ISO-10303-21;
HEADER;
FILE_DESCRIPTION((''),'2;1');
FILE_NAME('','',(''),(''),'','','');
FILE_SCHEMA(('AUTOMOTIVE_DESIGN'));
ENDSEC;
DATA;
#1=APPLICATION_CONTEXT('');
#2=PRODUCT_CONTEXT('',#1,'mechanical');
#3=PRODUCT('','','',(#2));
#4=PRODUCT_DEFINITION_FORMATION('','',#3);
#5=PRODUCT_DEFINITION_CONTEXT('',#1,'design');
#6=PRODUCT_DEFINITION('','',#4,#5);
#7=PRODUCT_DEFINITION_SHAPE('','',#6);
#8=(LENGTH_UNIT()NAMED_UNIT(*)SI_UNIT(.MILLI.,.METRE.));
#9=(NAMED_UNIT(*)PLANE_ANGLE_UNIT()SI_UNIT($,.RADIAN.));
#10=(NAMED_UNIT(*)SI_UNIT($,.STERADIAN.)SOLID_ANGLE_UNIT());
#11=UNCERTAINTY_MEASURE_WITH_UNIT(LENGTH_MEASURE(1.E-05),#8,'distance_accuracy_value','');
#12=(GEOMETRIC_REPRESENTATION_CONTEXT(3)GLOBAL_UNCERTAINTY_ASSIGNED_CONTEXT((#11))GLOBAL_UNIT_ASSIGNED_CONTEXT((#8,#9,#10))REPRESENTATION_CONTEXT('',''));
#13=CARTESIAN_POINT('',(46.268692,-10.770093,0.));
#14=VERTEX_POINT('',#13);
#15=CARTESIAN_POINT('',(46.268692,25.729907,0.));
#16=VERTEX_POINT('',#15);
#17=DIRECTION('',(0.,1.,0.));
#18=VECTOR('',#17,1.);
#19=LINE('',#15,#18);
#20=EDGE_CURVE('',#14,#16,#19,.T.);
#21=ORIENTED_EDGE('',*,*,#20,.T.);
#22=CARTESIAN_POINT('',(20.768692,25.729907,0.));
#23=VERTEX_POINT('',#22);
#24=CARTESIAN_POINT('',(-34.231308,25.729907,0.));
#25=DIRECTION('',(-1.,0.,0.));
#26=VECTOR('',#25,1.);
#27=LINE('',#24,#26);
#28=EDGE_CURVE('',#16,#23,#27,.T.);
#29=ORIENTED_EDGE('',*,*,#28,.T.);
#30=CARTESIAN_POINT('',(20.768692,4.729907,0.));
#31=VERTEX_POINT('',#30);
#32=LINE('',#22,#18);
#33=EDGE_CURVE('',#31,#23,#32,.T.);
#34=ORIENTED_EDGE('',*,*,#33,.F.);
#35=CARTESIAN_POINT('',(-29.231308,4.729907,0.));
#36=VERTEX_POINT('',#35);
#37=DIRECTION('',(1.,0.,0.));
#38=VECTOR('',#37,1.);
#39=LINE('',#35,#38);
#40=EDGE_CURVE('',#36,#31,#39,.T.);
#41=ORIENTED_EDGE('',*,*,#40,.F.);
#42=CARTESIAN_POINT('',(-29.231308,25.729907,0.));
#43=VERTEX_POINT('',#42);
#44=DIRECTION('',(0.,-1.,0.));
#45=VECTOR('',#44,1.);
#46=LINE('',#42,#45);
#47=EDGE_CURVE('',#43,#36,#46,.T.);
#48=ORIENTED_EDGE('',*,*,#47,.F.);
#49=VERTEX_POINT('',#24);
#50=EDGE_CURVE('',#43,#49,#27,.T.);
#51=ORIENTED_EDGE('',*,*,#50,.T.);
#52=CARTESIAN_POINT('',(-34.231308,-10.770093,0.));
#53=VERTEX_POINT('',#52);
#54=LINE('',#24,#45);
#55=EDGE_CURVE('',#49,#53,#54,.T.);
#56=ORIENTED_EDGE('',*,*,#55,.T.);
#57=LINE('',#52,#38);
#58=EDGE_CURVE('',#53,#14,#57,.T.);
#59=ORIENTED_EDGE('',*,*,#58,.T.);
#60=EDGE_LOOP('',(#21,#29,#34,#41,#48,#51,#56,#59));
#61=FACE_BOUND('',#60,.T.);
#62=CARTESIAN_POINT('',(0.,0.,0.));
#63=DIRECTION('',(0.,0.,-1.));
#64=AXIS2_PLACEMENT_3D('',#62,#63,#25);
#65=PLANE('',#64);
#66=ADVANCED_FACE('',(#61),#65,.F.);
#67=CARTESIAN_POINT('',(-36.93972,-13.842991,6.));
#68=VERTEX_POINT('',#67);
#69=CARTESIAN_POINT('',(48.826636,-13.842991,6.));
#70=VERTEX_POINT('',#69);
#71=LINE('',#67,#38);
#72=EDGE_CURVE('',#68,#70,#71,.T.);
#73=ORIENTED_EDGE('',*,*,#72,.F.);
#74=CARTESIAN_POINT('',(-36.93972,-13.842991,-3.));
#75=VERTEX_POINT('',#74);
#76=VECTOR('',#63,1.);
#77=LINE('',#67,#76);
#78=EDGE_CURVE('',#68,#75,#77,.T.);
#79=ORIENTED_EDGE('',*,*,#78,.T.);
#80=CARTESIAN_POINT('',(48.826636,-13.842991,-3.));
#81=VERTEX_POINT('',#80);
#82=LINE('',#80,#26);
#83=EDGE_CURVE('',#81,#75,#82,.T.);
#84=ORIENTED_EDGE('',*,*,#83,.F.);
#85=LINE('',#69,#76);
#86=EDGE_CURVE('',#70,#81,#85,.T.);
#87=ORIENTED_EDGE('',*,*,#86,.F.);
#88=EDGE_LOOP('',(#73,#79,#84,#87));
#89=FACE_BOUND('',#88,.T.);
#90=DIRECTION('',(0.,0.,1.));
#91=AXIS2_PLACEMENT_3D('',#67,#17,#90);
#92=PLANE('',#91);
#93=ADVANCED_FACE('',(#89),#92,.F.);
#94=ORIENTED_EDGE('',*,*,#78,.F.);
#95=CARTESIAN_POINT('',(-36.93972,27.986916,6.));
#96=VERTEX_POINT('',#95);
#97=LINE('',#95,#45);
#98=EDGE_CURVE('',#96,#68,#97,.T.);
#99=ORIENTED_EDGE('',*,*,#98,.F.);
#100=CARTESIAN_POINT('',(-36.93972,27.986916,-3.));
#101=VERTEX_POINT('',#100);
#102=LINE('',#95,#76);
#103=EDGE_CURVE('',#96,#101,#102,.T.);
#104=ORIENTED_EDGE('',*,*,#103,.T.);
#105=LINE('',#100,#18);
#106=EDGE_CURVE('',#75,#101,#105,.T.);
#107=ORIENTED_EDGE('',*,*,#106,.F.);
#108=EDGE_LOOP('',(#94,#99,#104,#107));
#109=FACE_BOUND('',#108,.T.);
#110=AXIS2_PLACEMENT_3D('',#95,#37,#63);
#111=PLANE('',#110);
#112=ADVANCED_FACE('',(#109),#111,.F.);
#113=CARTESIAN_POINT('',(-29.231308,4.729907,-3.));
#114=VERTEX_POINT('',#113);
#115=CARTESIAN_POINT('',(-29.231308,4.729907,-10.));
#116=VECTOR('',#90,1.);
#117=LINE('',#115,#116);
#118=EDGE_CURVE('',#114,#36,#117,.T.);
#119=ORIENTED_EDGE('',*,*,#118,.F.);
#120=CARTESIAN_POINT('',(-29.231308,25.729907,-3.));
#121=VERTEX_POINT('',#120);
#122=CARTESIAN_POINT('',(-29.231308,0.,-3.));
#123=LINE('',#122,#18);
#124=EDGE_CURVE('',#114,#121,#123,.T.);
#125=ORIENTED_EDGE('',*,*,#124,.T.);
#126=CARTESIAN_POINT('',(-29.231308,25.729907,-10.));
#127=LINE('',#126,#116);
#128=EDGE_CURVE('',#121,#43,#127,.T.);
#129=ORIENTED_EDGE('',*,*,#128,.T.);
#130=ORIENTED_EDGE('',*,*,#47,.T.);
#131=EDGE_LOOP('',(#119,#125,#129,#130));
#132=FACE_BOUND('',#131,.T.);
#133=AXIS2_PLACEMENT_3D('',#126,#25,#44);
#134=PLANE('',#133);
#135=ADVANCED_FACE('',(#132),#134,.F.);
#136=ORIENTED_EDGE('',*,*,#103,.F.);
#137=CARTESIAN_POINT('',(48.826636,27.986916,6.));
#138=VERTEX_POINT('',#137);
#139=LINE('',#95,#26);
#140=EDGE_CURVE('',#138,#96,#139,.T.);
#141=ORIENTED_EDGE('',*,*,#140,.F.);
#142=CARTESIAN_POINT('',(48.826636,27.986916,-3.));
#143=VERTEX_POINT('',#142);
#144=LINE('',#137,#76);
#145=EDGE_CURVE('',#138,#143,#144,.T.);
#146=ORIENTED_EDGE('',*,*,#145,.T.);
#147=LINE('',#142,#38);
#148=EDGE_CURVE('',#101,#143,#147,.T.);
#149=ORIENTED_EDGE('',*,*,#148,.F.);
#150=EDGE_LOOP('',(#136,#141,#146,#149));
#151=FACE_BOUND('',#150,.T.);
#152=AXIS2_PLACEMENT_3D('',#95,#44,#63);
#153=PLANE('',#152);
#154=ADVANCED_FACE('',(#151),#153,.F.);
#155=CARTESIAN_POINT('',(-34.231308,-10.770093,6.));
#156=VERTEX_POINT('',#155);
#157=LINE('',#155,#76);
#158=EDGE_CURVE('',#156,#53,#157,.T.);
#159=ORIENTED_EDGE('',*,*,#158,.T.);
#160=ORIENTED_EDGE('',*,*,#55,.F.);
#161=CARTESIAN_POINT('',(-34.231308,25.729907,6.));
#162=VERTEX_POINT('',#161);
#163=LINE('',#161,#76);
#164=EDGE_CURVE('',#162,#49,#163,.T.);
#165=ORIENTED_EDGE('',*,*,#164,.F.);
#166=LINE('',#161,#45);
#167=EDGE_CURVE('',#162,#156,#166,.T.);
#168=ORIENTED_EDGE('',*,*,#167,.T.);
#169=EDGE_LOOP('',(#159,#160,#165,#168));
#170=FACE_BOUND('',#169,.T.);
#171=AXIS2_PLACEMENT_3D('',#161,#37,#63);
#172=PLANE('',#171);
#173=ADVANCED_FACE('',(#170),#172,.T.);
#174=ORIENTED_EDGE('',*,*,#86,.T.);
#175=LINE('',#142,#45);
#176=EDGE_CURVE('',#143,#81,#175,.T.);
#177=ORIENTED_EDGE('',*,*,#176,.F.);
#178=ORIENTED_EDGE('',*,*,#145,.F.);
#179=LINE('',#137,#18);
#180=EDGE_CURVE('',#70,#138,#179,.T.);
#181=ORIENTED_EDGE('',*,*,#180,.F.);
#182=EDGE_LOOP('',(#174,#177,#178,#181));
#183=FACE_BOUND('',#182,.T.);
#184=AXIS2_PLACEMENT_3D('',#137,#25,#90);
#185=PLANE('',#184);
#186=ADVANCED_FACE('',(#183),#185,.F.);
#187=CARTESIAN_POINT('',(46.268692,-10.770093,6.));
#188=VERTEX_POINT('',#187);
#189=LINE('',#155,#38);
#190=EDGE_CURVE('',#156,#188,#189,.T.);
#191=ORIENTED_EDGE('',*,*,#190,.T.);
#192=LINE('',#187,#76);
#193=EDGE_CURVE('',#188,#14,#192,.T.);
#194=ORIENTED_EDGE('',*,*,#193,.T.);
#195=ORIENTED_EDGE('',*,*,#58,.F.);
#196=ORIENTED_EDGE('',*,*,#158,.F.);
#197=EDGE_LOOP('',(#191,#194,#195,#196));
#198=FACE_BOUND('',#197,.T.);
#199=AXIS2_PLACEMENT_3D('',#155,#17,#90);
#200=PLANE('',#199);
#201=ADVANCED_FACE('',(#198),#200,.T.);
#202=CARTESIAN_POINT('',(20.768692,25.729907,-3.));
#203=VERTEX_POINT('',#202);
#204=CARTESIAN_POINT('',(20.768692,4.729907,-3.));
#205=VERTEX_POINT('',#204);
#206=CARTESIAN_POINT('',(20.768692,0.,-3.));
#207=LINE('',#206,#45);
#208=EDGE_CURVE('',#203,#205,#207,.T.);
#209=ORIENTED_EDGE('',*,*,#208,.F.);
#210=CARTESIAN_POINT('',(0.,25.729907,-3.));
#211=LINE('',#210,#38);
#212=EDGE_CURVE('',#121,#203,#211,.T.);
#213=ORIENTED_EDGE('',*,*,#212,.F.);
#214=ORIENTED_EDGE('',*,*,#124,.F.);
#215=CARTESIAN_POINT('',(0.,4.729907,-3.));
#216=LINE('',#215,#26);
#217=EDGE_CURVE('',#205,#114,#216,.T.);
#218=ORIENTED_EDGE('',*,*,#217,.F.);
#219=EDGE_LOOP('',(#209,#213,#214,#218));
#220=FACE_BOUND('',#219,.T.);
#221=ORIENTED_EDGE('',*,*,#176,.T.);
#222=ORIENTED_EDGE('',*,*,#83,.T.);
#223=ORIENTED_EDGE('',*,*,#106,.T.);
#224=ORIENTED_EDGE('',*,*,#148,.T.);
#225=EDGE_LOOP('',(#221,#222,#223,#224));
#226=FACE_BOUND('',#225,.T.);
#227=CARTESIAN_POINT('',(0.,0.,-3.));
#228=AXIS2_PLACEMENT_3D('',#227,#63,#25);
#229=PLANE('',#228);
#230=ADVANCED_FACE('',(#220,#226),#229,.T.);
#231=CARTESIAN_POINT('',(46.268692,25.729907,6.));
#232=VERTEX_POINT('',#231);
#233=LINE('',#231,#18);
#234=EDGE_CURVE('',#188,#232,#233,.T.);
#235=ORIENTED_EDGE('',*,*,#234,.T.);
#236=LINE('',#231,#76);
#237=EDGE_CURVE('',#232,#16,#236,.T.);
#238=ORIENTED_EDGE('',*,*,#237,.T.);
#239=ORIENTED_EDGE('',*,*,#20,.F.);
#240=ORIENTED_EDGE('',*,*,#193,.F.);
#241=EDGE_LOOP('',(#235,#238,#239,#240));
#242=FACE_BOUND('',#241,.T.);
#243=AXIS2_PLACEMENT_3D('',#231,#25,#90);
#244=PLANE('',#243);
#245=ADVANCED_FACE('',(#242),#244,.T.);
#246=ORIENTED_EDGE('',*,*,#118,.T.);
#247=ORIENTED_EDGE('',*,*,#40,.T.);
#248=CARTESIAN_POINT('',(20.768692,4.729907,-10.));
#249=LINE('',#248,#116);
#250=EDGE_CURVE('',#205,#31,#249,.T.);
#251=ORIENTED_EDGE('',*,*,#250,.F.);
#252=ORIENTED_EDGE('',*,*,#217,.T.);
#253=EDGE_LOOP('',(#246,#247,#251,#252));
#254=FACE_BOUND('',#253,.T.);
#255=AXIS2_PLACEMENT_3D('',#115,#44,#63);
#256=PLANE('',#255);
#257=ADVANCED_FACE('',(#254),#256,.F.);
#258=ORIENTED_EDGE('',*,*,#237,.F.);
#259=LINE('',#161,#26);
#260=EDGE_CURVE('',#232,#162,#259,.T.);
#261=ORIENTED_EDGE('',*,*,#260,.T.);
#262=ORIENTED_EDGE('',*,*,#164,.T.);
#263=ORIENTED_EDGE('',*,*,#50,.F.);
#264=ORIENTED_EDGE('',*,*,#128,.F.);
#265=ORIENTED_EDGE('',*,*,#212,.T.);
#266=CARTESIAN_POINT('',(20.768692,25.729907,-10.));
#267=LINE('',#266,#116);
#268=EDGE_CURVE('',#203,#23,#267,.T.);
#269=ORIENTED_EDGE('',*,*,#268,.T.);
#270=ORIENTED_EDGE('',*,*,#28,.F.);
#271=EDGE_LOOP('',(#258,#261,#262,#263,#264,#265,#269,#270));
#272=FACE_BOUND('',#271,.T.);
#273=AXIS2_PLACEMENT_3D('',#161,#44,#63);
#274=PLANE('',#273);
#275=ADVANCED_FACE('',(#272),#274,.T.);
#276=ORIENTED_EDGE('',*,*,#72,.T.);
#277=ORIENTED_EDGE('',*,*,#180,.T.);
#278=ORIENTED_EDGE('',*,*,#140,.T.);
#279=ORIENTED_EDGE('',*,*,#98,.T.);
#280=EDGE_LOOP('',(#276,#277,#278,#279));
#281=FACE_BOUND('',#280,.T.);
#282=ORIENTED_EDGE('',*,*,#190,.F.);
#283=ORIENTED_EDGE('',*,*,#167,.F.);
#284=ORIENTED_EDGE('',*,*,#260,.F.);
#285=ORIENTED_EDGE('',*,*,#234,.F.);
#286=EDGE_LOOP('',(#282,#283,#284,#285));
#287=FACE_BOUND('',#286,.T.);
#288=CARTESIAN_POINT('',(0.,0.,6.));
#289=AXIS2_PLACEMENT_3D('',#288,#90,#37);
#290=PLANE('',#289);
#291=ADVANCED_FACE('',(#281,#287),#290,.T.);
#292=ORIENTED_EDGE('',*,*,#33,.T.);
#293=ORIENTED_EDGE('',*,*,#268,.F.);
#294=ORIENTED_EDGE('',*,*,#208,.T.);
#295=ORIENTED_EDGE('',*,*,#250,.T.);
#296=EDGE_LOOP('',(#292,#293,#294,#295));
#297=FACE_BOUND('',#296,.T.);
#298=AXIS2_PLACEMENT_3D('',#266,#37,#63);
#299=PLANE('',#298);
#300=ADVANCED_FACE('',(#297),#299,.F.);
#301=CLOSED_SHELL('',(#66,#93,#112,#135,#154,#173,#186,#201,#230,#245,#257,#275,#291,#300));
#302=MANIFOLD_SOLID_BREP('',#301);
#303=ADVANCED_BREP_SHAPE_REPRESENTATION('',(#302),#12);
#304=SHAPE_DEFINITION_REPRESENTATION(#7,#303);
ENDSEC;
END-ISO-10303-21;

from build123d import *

# Parameters (mm, degrees)
SKETCH2_W           = 85.76635514
SKETCH2_H           = 41.829906542
SKETCH2_W_2         = 80.5
SKETCH2_H_2         = 36.5
BOSS_EXTRUDE1_DEPTH = 6
SKETCH4_W           = 85.76635514
SKETCH4_H           = 41.829906542
BOSS_EXTRUDE2_DEPTH = 3
SKETCH6_W           = 50
SKETCH6_H           = 21
CUT_EXTRUDE1_DEPTH  = 10


with BuildPart() as part:
    # Sketch2 → Boss-Extrude1 (new body)
    with BuildSketch(Plane.XY):
        with Locations((5.943457944, 7.071962617)):
            Rectangle(SKETCH2_W, SKETCH2_H)
        with Locations((6.018691589, 7.479906542)):
            Rectangle(SKETCH2_W_2, SKETCH2_H_2, mode=Mode.SUBTRACT)
    extrude(amount=BOSS_EXTRUDE1_DEPTH)

    # Sketch4 → Boss-Extrude2 (add)
    with BuildSketch(Plane(origin=(0, 0, 0), x_dir=(-1, 0, 0), z_dir=(0, 0, -1))):
        with Locations((-5.943457944, 7.071962617)):
            Rectangle(SKETCH4_W, SKETCH4_H)
    extrude(amount=BOSS_EXTRUDE2_DEPTH)

    # Sketch6 → Cut-Extrude1 (cut)
    with BuildSketch(Plane.XY):
        with Locations((-4.231308411, 15.229906542)):
            Rectangle(SKETCH6_W, SKETCH6_H)
    extrude(amount=-CUT_EXTRUDE1_DEPTH, mode=Mode.SUBTRACT)


solid = part.part
